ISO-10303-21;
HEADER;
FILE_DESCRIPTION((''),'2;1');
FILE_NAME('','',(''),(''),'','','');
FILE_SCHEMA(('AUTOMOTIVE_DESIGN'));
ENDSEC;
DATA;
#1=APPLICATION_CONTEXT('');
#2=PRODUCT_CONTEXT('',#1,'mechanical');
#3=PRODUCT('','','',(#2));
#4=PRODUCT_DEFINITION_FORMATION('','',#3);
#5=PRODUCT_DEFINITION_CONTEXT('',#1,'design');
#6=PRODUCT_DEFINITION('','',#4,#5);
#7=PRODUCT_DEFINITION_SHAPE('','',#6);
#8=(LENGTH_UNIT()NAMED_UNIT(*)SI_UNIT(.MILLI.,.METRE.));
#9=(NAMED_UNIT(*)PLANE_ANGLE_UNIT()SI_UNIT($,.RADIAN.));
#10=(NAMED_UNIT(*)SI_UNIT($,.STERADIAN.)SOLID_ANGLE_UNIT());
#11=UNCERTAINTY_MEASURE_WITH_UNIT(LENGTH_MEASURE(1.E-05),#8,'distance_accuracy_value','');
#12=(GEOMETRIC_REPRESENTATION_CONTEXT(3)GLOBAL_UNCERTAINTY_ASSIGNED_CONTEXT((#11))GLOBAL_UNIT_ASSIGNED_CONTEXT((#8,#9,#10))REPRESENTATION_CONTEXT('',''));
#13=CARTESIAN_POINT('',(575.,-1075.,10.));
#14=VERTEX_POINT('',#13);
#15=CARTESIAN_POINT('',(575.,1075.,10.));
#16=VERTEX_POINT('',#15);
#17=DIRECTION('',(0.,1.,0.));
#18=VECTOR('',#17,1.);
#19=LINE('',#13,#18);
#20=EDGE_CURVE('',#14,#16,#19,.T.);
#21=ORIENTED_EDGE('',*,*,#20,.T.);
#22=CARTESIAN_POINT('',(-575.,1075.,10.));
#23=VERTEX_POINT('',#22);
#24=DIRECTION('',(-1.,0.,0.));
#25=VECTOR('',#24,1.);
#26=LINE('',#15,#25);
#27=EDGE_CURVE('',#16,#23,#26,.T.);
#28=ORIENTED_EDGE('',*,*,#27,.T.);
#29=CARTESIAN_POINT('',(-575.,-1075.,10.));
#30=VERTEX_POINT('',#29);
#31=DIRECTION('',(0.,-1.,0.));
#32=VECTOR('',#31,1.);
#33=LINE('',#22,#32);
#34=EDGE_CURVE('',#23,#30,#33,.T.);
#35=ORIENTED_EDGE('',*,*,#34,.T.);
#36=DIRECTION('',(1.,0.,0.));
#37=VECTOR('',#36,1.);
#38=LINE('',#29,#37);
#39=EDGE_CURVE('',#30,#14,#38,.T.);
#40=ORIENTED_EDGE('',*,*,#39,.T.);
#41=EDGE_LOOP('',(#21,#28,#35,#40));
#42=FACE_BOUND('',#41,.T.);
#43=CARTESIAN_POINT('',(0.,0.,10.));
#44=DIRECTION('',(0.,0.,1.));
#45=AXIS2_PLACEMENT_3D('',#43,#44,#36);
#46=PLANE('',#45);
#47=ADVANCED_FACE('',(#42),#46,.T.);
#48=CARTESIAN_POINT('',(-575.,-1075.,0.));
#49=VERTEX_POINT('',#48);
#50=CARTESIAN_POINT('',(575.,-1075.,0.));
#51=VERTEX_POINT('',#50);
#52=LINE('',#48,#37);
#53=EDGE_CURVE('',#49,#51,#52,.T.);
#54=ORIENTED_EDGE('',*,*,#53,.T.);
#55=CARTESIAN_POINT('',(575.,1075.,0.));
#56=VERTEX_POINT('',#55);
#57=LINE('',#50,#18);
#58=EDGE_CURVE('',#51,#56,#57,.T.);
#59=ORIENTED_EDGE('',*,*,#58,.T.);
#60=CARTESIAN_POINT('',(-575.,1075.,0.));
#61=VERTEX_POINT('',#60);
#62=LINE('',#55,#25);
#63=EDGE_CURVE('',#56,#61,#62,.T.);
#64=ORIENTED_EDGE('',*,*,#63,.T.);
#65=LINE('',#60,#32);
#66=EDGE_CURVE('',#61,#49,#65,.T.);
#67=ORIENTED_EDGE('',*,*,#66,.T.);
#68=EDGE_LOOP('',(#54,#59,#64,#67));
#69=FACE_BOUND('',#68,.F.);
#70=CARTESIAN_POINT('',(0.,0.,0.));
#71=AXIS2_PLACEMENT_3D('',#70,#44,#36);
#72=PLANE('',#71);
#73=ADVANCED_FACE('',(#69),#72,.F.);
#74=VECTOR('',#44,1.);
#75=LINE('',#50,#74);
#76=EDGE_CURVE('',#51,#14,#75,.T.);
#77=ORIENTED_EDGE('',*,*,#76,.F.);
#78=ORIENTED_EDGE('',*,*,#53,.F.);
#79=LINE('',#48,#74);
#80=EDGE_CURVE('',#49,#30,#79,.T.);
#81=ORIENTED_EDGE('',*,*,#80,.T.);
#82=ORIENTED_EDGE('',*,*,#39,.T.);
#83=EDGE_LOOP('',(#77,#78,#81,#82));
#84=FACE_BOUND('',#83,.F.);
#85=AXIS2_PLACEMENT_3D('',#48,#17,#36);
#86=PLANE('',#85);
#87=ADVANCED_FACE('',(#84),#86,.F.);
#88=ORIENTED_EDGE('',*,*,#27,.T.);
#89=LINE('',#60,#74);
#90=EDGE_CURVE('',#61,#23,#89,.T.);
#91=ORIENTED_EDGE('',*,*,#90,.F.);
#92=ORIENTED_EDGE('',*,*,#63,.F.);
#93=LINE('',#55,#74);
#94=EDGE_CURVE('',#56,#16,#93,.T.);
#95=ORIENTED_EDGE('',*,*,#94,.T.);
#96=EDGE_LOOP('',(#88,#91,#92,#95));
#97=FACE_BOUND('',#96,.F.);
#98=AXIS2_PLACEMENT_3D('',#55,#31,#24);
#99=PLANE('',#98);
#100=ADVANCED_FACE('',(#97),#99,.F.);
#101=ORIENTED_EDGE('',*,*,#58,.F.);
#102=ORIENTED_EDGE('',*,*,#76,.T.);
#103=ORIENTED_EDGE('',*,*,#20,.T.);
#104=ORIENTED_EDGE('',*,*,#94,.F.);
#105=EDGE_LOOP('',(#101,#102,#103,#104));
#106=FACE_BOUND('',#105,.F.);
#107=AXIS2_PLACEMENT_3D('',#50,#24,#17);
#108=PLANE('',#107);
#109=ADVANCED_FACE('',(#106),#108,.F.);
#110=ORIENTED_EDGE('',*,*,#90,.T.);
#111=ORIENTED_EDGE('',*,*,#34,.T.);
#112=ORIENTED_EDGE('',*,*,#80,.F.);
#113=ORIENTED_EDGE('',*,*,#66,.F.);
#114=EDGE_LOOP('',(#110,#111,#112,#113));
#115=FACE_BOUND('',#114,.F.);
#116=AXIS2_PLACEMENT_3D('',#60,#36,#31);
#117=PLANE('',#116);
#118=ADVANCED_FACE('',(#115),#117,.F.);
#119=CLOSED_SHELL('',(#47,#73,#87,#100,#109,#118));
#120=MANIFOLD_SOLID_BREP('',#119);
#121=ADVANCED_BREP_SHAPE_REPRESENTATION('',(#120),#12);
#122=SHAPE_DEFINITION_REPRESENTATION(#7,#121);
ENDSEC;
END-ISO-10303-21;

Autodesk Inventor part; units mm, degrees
ref_plane "YZ Plane" through (0, 0, 0) normal (1, 0, 0) x (0, 1, 0)
ref_plane "XZ Plane" through (0, 0, 0) normal (0, 1, 0) x (-1, 0, 0)
ref_plane "XY Plane" through (0, 0, 0) normal (0, 0, 1) x (1, 0, 0)
sketch "Sketch1" plane through (0, 0, 0) normal (0, 0, 1) x (1, 0, 0)
  line L0 (-575, -1075) -> (575, -1075)
  line L1 (575, -1075) -> (575, 1075)
  line L2 (575, 1075) -> (-575, 1075)
  line L3 (-575, 1075) -> (-575, -1075)
  line L4 (-575, -1075) -> (575, 1075) construction
  line L5 (575, -1075) -> (-575, 1075) construction
  point P0 (0, 0)
  dimension "d1" = 1150
  dimension "d2" = 2150
extrude "Plate1" add sketch "Sketch1" along normal blind 10
equation "\"d0\" = Thickness"
equation "\"BendReliefDepth\" = 0.5 * Thickness"
equation "\"Thickness\" = 10"
properties part number "ДМФ 014 левый борт"
